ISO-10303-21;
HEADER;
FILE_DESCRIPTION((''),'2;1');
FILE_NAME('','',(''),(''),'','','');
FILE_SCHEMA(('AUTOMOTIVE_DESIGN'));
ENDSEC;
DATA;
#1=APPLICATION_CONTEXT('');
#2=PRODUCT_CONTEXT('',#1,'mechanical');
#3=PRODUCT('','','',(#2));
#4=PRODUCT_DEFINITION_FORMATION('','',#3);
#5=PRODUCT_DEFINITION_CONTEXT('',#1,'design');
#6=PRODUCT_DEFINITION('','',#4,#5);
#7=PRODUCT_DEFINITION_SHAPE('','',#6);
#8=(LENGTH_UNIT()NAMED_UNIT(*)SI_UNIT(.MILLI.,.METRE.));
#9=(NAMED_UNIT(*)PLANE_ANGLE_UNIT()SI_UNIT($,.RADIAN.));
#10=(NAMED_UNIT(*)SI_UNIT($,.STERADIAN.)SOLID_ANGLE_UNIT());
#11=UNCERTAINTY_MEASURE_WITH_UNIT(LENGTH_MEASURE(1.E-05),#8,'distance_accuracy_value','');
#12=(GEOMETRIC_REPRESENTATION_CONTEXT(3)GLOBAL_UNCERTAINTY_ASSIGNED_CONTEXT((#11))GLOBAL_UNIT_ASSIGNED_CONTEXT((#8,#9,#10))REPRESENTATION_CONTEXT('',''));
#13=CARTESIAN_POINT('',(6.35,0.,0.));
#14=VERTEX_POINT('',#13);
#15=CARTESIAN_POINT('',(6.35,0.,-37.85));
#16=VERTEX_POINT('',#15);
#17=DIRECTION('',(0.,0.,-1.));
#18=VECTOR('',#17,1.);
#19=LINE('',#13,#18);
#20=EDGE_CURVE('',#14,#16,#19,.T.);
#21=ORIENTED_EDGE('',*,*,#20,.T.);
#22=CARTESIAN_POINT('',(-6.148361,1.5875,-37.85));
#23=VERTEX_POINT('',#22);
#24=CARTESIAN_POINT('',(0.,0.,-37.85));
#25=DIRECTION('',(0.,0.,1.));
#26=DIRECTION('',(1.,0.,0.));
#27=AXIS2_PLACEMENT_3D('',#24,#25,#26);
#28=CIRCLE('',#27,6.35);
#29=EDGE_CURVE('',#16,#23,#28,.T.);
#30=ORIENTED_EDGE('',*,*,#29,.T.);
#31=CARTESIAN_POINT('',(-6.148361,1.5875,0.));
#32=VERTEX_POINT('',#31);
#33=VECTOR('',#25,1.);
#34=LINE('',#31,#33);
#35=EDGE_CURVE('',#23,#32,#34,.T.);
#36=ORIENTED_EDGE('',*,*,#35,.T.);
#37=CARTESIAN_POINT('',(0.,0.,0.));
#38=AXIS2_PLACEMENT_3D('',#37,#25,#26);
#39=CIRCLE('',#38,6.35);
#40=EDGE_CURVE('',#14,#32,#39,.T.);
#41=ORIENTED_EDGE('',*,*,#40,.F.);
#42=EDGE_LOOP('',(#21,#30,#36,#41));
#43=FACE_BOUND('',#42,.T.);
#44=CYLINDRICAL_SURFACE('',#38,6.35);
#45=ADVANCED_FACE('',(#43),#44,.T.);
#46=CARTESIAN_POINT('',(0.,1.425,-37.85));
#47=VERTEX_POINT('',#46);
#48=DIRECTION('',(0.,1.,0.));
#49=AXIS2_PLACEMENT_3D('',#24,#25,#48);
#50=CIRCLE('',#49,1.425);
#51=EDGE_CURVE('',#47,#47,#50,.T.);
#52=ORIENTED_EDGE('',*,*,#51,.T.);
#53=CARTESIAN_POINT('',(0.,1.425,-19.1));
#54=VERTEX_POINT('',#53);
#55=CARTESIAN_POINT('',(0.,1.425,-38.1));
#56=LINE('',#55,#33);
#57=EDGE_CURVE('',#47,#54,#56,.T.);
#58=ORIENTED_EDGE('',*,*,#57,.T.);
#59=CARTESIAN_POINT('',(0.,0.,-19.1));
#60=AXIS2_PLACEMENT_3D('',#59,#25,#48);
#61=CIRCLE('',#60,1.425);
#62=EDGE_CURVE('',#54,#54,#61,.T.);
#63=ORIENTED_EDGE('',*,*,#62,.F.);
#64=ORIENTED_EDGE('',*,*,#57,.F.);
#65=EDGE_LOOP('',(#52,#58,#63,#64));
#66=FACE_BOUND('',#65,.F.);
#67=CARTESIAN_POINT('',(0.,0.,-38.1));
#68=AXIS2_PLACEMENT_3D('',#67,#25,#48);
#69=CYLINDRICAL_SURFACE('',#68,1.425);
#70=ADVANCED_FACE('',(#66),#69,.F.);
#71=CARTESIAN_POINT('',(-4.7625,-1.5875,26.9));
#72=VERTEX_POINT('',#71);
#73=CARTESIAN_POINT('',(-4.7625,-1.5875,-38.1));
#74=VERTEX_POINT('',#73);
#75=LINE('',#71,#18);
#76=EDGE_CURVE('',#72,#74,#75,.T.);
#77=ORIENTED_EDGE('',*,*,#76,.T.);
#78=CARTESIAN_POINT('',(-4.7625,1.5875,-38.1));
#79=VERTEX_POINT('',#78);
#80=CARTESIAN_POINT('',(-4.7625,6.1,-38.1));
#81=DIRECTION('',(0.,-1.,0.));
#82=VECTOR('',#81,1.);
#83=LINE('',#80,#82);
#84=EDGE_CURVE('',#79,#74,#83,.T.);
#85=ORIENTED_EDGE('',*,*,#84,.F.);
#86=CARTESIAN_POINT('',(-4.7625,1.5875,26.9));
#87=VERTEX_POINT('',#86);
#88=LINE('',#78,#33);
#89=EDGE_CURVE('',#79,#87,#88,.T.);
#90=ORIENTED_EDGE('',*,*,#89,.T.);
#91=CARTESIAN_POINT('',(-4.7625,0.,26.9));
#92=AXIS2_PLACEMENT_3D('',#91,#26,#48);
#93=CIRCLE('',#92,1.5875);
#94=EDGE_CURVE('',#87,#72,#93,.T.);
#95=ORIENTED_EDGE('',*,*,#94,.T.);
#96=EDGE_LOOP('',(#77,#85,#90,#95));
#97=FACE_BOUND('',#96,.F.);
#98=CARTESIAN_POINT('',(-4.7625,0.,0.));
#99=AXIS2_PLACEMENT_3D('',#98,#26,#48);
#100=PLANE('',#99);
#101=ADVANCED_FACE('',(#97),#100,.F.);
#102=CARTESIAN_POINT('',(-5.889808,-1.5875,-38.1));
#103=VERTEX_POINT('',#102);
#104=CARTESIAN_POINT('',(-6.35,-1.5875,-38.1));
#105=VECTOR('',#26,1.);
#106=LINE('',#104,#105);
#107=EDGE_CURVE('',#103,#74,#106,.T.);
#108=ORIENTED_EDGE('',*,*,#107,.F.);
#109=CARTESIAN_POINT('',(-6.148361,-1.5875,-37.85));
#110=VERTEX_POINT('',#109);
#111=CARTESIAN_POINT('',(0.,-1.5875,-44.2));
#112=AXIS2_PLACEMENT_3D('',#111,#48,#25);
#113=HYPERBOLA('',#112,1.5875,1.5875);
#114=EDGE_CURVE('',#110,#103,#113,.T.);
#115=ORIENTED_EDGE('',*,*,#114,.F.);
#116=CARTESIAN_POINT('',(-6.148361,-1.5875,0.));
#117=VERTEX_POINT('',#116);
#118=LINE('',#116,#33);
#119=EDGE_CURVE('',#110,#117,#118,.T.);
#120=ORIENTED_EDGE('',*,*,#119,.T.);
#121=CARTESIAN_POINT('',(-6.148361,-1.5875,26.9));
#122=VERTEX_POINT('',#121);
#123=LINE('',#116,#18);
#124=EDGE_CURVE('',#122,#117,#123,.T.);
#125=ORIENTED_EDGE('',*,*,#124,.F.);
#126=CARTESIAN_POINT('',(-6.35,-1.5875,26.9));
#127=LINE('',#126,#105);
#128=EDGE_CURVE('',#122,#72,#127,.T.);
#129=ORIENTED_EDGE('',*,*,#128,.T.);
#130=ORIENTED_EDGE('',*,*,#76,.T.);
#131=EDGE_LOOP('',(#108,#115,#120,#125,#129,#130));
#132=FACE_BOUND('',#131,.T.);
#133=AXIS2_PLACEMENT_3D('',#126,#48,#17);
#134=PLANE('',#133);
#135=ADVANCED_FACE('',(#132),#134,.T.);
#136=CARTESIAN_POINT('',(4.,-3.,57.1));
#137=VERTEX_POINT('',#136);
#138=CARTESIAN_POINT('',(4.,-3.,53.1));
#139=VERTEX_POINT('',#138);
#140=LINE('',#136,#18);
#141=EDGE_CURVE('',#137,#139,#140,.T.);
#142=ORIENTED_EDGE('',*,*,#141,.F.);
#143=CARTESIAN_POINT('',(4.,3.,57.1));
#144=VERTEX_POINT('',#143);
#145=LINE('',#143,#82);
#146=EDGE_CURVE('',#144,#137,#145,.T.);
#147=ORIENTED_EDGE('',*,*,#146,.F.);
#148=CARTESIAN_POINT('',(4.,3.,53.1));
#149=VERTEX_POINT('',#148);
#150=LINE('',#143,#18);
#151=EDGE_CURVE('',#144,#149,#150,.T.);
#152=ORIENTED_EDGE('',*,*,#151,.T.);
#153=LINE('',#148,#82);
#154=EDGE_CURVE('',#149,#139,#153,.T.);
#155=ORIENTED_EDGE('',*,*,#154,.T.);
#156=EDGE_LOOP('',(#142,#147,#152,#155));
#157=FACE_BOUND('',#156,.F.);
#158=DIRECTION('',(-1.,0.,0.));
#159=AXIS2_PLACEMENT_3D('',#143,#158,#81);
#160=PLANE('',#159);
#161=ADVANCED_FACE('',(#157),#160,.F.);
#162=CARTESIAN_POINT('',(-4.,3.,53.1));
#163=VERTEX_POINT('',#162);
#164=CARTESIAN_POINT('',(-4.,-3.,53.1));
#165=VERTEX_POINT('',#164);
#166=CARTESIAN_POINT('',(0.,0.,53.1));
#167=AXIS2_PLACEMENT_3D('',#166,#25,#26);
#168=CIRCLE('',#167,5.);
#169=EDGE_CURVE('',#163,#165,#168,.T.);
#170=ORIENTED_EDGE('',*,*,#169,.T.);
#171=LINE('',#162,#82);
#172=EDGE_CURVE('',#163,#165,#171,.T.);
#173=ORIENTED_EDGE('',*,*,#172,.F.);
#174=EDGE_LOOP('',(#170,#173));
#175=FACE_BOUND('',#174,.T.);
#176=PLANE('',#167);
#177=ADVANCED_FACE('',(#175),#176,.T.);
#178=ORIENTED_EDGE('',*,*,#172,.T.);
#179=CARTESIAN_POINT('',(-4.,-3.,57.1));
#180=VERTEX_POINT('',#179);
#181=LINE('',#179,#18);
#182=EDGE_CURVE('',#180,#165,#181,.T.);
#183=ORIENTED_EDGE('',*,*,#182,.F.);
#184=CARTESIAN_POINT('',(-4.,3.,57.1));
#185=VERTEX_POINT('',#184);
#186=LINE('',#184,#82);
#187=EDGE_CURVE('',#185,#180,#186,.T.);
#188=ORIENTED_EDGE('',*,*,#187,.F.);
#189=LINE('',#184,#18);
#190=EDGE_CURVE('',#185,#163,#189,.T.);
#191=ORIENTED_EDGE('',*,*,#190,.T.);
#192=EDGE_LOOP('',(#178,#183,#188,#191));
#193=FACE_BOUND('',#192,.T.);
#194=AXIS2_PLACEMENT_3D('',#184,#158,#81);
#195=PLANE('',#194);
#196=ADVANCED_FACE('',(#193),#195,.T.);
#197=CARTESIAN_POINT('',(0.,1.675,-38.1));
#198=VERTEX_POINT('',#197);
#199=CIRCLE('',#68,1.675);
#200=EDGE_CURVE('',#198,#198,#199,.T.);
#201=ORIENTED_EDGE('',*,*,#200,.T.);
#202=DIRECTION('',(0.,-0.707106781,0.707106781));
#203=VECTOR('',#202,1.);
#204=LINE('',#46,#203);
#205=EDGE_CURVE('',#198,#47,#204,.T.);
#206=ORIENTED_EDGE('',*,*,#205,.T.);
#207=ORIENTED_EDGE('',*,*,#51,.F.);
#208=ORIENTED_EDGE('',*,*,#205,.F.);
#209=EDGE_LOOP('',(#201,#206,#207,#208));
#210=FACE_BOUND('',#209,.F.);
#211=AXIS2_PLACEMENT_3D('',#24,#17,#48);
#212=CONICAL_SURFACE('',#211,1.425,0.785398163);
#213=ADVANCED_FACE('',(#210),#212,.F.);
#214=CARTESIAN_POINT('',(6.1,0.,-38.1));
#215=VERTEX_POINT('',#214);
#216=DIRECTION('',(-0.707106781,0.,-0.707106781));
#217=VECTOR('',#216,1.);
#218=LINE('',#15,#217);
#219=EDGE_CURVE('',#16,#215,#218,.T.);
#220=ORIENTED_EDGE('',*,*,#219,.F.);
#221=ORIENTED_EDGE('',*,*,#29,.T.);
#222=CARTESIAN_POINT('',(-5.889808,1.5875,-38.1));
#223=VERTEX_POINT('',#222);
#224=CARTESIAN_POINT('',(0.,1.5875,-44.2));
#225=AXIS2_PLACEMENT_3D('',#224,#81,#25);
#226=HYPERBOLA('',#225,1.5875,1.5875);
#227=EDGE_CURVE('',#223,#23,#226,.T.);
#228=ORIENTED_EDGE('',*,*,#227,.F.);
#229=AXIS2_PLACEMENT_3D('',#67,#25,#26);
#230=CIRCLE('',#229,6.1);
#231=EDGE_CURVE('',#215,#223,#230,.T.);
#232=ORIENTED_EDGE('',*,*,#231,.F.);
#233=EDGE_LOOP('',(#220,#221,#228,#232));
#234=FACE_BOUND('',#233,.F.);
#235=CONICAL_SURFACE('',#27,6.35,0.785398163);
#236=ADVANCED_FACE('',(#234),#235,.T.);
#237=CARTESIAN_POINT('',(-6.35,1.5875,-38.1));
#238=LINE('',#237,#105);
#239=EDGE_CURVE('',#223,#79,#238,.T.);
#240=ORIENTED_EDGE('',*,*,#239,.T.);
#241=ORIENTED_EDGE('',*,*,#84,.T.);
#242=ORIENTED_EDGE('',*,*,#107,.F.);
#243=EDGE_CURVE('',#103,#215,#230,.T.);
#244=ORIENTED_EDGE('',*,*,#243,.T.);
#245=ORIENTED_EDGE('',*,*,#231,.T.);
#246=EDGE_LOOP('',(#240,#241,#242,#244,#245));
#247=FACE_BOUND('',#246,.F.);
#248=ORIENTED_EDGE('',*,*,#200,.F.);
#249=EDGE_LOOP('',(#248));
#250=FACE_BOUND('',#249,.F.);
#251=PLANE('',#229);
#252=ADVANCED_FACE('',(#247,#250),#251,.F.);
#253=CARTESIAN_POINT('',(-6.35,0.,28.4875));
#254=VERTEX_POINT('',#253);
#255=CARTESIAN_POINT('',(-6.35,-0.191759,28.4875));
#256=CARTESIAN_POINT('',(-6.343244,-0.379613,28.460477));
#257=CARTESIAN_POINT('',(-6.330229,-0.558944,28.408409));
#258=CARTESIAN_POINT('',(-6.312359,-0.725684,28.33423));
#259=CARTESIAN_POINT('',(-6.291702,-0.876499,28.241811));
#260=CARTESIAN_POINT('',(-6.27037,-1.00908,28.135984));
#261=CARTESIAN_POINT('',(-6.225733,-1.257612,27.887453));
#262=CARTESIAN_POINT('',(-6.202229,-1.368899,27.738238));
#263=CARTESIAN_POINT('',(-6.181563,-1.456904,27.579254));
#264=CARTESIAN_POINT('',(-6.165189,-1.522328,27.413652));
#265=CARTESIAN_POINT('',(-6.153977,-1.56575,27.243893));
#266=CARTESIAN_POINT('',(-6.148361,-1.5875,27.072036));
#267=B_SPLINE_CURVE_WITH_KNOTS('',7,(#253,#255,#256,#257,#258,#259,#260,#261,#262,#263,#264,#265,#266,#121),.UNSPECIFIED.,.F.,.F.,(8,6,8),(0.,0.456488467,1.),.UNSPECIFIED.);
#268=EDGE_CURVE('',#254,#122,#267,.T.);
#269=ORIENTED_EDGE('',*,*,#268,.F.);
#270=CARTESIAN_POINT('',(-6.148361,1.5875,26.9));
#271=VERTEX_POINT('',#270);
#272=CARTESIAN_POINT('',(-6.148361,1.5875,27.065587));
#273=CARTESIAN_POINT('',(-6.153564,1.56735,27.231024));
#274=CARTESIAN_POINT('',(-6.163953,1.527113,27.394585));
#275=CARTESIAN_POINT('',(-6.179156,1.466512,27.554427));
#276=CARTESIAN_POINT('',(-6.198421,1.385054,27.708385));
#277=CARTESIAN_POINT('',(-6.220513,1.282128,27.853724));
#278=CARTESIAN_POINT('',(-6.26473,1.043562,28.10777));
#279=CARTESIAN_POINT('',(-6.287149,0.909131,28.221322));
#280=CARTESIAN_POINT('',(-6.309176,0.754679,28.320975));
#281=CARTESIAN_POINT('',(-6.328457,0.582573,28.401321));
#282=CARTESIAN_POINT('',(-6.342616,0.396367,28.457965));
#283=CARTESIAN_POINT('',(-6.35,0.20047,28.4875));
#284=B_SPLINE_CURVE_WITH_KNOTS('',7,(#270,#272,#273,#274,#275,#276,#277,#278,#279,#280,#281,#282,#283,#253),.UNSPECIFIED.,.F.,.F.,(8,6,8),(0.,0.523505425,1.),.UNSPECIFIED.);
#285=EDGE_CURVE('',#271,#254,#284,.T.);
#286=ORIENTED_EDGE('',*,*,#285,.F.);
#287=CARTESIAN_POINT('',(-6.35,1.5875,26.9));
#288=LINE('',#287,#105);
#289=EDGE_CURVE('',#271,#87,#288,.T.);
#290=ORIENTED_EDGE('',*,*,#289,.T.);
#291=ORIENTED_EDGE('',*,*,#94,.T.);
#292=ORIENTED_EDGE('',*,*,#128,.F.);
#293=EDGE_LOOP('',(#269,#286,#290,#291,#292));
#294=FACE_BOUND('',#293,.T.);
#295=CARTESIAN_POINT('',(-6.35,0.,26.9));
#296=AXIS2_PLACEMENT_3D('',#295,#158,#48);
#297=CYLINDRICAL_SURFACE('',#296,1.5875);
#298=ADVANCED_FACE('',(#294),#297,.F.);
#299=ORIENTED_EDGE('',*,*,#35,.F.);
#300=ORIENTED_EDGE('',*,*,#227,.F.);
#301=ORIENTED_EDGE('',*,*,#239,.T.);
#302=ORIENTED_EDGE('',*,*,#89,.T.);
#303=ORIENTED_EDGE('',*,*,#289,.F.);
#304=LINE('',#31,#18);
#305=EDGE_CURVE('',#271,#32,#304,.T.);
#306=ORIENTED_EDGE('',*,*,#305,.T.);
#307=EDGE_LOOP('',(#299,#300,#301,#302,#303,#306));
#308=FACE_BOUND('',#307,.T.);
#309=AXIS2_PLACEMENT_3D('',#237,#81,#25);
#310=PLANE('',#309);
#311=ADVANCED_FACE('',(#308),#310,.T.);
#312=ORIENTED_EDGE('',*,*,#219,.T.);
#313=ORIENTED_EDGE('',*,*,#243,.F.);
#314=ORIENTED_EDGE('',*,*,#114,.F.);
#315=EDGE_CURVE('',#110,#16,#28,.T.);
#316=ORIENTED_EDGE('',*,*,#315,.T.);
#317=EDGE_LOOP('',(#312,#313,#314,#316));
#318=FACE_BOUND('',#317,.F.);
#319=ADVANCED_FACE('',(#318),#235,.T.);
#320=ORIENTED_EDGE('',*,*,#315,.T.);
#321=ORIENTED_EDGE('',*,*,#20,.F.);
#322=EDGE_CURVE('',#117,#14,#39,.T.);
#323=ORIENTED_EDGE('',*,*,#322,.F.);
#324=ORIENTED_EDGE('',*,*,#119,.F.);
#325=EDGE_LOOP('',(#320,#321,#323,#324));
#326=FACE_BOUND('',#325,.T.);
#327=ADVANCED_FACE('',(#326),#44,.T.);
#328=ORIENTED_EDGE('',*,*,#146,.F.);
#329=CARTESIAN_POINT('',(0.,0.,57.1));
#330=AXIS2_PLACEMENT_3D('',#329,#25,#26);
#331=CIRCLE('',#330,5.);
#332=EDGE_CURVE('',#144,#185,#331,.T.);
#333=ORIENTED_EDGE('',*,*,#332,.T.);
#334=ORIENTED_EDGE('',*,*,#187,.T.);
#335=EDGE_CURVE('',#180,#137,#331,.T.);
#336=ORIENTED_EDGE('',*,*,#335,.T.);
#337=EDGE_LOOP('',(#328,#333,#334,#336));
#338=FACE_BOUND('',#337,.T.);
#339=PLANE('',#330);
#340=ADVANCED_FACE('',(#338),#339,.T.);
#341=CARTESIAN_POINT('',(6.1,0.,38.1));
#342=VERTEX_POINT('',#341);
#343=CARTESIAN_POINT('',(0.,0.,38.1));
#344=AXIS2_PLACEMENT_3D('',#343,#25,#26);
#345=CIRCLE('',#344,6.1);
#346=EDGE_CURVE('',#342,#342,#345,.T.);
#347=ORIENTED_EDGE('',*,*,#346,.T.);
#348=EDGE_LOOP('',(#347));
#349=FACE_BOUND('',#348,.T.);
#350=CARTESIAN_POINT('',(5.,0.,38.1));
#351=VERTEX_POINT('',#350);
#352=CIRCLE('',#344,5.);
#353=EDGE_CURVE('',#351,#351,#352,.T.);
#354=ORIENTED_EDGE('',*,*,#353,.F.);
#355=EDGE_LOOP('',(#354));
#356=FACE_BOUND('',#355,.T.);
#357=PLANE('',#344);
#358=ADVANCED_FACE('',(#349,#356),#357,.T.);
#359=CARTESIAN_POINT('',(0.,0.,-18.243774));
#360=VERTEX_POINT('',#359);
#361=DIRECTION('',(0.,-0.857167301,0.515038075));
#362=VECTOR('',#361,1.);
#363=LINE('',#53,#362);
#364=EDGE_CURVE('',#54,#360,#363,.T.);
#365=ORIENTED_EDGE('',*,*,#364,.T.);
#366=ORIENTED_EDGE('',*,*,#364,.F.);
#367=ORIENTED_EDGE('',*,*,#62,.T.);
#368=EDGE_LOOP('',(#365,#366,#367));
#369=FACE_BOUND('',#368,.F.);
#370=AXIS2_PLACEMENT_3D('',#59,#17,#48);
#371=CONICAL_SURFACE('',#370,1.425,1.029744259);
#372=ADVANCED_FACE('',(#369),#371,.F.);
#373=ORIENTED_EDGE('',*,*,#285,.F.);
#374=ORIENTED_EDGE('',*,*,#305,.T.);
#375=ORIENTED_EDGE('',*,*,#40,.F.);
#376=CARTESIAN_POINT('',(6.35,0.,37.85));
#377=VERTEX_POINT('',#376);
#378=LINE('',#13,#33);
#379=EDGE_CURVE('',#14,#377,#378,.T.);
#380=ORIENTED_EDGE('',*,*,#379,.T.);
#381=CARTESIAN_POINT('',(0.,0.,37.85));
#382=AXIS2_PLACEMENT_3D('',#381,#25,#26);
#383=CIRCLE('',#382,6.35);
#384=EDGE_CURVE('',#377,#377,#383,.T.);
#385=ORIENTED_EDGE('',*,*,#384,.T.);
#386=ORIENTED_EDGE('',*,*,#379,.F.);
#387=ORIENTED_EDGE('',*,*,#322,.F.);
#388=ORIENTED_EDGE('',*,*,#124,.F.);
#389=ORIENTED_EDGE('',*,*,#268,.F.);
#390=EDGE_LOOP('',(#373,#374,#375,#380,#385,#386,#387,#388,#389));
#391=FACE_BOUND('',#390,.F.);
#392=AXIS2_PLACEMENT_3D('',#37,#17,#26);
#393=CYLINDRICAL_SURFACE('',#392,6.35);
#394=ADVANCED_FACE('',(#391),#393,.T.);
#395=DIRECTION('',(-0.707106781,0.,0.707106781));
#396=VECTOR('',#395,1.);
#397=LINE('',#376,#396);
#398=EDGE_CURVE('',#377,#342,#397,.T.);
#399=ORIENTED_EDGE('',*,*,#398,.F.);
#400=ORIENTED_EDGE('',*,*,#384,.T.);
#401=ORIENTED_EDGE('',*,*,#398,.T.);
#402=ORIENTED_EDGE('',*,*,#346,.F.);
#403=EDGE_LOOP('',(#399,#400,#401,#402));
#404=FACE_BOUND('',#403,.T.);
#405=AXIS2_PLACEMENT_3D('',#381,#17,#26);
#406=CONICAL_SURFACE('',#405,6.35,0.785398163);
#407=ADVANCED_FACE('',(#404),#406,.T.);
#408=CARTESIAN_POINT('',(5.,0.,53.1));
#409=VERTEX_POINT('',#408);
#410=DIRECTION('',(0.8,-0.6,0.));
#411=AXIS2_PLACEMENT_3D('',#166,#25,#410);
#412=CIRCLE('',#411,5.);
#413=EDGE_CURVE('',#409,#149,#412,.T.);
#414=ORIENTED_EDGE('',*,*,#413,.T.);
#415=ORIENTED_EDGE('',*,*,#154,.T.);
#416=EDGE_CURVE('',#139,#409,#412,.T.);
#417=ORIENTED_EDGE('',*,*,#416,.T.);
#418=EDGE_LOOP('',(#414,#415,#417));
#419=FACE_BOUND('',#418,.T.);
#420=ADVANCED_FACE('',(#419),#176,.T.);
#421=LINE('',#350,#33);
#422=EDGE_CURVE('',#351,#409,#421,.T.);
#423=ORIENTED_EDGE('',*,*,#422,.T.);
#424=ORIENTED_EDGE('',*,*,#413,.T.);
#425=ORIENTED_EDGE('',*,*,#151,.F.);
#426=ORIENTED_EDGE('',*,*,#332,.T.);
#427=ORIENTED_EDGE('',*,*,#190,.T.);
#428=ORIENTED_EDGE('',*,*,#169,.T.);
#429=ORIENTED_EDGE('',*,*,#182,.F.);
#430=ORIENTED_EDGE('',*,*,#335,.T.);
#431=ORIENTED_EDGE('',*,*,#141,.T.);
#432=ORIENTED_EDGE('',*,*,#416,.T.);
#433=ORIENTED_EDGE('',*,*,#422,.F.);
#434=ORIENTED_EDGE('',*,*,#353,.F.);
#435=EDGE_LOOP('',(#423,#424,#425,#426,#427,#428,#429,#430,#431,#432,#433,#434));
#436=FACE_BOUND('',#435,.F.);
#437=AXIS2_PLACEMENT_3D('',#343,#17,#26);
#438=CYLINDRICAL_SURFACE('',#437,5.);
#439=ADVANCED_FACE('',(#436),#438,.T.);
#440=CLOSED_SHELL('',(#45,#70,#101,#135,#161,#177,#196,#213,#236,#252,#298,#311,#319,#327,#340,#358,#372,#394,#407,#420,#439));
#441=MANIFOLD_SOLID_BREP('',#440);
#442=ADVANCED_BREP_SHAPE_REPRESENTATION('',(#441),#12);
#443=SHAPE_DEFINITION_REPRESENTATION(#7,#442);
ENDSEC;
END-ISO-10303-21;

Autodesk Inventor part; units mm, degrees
ref_plane "YZ Plane" through (0, 0, 0) normal (1, 0, 0) x (0, 1, 0)
ref_plane "XZ Plane" through (0, 0, 0) normal (0, 1, 0) x (-1, 0, 0)
sketch "Sketch1" plane through (0, 0, 0) normal (0, 0, 1) x (1, 0, 0)
  circle A0 centre (0, 0) radius 6.35
  dimension "d0" = 12.7
extrude "Extrusion1" add sketch "Sketch1" along normal mid plane 76.2
sketch "Sketch2" plane through (0, 0, 38.1) normal (0, 0, 1) x (1, 0, 0)
  circle A0 centre (0, 0) radius 6.35 projected
  circle A1 centre (0, 0) radius 5
  dimension "d3" = 10
extrude "Extrusion2" add sketch "Sketch2" along normal blind 19 contours A1
sketch "Sketch3" plane through (0, 0, 57.1) normal (0, 0, 1) x (1, 0, 0)
  circle A0 centre (0, 0) radius 5 projected
  line L0 (-4, 3) -> (-4, -3)
  line L1 (4, 3) -> (4, -3)
  line L2 (4, 0) -> (5, 0) construction
  line L3 (-4, 0) -> (-5, 0) construction
  dimension "d7" = 8
extrude "Extrusion3" cut sketch "Sketch3" against normal blind 4 contours A0 L1 | L0 A0
sketch "Sketch4" plane through (0, 0, -38.1) normal (0, 0, -1) x (-1, 0, 0)
  circle A0 centre (0, 0) radius 6.35 projected
hole "Hole1" at (0, 0, -38.1) direction (0, 0, 1) diameter 2.85 depth 19 tip angle 118 thread size "M3.5x0.6" class "6H" standard "ANSI Metric M Profile"
chamfer "Chamfer1" distance 0.25 angle 45 3 edges at (0, -1.425, -38.1) (-6.35, 0, -38.1) (-6.35, 0, 38.1)
ref_plane "Work Plane1" through (-6.35, 0, 0) normal (1, 0, 0) x (0, 1, 0)
sketch "Sketch5" plane through (-6.35, 0, 0) normal (1, 0, 0) x (0, 1, 0)
  line L0 (6.1, -38.1) -> (-6.1, -38.1) projected
  line L1 (0, -38.1) -> (0, 22.7756) construction
  arc A0 (1.5875, 26.9) -> (-1.5875, 26.9) centre (0, 26.9) ccw
  line L2 (1.5875, -38.1) -> (1.5875, 26.9)
  line L3 (-1.5875, 26.9) -> (-1.5875, -38.1)
  dimension "d20" = 3.175
  dimension "d25" = 65
extrude "Extrusion4" cut sketch "Sketch5" along normal blind 1.5875
properties part number "BB1-Axle" material "Steel, Mild"
